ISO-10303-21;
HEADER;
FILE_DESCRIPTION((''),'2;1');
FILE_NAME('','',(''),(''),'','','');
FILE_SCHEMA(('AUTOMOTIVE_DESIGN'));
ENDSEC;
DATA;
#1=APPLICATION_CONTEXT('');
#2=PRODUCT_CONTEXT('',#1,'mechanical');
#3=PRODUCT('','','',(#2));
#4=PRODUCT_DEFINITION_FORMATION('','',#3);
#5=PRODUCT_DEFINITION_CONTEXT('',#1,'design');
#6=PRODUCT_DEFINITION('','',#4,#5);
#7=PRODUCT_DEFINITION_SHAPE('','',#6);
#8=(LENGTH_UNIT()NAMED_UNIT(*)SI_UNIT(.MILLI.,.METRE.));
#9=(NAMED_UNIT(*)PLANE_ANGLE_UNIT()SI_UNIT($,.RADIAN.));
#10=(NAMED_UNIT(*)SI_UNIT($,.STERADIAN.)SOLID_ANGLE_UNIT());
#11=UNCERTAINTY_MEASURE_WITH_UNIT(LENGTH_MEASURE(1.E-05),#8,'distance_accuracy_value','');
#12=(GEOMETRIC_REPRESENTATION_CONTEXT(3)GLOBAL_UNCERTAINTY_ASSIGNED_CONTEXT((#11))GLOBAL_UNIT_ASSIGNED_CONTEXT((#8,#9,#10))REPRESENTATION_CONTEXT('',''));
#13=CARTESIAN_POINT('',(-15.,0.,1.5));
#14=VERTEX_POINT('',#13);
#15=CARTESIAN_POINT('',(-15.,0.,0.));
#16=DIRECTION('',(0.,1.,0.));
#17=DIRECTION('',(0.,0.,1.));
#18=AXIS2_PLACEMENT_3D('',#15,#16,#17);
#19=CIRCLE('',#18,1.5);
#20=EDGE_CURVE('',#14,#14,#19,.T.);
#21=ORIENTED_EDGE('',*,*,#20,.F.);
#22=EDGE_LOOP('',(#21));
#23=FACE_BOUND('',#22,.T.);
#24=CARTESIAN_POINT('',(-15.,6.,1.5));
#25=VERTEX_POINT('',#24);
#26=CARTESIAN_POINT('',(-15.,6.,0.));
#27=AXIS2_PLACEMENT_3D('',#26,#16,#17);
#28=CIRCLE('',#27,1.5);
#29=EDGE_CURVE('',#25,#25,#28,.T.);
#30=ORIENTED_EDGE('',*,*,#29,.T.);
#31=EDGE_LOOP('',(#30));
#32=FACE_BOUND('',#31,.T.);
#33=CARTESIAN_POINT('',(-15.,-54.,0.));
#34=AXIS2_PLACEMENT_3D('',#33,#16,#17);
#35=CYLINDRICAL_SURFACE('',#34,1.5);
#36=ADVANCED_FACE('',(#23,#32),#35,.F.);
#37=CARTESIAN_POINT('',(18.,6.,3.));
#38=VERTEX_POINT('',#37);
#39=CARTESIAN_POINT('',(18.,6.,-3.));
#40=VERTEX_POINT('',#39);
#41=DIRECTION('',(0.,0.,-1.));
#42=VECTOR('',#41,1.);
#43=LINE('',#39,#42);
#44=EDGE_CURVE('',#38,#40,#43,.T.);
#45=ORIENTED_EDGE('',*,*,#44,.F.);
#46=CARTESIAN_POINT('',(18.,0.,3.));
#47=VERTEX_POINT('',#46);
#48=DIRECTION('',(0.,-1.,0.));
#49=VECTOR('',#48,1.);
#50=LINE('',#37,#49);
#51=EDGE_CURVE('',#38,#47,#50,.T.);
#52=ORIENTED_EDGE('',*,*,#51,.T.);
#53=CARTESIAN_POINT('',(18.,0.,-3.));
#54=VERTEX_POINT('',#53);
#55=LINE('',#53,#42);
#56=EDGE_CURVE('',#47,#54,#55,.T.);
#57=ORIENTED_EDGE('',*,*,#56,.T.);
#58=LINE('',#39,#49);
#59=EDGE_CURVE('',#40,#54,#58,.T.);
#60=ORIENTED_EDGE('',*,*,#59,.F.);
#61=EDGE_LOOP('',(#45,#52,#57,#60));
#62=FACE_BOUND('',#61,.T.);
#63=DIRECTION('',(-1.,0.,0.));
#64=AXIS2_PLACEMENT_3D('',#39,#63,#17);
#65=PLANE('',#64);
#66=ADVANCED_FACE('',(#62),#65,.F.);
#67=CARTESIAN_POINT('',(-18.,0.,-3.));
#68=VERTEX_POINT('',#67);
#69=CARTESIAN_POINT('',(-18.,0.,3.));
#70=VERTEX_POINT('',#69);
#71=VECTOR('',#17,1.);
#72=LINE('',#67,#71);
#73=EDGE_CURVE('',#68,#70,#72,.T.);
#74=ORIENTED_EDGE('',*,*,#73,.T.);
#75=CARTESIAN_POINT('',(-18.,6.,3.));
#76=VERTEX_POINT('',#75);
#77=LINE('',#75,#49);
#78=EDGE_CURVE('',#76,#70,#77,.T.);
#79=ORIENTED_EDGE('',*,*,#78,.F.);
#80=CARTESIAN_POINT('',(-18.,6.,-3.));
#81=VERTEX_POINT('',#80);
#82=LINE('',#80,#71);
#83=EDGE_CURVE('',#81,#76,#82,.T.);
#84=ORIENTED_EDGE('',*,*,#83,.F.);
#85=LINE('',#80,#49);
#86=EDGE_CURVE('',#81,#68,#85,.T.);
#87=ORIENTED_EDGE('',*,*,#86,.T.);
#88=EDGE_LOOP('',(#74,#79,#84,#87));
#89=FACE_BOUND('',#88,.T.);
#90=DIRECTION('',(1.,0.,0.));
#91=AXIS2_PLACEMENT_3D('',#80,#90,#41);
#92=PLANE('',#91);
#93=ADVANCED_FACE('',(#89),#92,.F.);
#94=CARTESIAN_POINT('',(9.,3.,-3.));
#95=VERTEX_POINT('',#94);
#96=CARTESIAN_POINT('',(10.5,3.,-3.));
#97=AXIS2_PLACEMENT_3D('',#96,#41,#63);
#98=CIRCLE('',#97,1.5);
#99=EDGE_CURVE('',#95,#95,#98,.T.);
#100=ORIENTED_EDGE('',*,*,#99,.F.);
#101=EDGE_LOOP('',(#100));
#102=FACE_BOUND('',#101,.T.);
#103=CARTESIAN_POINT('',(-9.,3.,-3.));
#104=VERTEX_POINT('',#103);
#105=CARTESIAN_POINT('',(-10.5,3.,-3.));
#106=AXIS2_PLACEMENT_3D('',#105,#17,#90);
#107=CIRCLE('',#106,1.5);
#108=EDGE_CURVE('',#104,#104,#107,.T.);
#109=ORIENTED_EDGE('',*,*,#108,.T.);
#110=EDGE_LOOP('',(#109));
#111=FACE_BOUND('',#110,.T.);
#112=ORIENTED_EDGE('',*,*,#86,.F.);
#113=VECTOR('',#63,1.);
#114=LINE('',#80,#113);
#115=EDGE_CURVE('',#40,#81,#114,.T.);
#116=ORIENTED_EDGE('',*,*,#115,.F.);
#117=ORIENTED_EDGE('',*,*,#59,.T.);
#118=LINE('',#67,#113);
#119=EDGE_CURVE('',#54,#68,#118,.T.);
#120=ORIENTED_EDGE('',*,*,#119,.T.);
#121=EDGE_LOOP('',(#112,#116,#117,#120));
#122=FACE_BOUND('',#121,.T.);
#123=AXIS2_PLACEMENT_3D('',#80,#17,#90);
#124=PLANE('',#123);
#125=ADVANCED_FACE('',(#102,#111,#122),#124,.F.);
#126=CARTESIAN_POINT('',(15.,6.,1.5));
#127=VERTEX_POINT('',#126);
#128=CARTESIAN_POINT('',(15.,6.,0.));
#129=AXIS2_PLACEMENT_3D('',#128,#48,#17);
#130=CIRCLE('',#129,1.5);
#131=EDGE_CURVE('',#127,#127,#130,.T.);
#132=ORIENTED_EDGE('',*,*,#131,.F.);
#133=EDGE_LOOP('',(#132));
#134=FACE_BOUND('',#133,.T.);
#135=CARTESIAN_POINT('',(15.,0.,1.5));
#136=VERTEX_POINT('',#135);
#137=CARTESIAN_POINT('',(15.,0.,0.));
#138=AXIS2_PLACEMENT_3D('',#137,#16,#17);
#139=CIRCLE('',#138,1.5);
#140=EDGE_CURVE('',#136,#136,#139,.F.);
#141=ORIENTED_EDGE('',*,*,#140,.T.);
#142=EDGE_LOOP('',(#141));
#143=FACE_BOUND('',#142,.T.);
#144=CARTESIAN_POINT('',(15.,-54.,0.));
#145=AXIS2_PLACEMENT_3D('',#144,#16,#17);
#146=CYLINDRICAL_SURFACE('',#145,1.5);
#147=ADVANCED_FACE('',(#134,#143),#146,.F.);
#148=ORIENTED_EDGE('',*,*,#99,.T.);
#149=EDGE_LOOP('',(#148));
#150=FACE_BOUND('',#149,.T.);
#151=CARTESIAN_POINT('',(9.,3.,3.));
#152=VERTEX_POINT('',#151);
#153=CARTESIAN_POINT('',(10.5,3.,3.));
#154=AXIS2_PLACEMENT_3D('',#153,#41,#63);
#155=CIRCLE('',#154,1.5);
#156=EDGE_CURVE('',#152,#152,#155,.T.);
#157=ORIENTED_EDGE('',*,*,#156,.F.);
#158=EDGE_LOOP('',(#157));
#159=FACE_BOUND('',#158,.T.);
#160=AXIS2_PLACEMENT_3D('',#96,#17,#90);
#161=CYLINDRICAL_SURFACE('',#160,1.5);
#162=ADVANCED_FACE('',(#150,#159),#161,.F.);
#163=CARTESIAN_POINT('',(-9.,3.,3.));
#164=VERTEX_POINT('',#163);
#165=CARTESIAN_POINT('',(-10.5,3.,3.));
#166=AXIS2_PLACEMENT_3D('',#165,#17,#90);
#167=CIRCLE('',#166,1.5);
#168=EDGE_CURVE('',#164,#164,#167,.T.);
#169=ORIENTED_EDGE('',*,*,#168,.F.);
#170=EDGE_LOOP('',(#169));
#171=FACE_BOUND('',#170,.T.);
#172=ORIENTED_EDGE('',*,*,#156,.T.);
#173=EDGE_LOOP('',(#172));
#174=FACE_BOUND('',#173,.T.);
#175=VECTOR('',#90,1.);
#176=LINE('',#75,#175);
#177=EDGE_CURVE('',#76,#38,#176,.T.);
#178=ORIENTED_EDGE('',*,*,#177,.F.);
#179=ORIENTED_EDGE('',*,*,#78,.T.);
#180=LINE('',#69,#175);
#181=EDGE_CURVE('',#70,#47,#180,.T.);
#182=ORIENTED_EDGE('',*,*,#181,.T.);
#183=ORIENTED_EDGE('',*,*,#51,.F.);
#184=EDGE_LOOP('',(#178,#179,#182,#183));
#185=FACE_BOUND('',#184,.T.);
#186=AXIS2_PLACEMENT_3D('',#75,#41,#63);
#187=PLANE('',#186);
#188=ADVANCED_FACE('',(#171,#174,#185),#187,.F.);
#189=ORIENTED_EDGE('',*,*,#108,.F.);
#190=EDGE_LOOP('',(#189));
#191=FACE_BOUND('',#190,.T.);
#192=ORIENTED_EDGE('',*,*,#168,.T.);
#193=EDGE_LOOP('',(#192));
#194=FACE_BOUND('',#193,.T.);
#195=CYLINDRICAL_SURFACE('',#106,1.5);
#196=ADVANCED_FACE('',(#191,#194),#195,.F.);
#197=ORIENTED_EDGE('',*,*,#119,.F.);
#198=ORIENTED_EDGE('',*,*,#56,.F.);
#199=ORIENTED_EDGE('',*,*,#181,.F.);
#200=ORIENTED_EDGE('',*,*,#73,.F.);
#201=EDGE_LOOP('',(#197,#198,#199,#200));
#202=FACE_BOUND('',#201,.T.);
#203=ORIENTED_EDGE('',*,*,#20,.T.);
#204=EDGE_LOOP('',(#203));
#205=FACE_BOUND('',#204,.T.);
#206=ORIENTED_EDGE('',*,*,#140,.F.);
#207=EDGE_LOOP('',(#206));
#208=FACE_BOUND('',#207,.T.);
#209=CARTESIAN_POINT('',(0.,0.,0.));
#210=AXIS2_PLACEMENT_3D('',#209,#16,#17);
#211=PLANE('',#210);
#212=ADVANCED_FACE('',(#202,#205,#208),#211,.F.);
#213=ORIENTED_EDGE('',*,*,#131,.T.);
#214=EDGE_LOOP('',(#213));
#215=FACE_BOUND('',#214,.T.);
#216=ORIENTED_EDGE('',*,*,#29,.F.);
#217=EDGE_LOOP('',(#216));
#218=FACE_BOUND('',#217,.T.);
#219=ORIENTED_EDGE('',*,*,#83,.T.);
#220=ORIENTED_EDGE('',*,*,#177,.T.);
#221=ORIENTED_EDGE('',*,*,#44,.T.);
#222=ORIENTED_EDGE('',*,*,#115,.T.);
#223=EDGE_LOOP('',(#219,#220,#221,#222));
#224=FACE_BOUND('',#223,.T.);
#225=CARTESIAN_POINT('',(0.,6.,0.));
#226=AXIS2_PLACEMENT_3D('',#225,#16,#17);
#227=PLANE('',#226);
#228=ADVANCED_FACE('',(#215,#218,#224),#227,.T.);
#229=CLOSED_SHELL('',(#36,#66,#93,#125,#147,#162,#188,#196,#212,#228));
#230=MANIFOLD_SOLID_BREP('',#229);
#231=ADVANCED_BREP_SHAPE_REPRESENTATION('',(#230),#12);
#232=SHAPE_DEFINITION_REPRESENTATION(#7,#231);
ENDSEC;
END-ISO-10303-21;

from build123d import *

# Parameters (mm, degrees)
ESQUISSE1_W             = 36
ESQUISSE1_H             = 6
BOSS_EXTRU_1_DEPTH      = 6
ESQUISSE2_R             = 1.5
ENL_V_MAT_EXTRU_1_DEPTH = 60
ESQUISSE3_R             = 1.5
ENL_V_MAT_EXTRU_2_DEPTH = 6


with BuildPart() as part:
    # Esquisse1 → Boss.-Extru.1 (new body)
    with BuildSketch(Plane(origin=(0, 0, 0), x_dir=(1, 0, 0), z_dir=(0, 1, 0))):
        Rectangle(ESQUISSE1_W, ESQUISSE1_H)
    extrude(amount=BOSS_EXTRU_1_DEPTH)

    # Esquisse2 → Enlèv. mat.-Extru.1 (cut)
    with BuildSketch(Plane(origin=(0, 6, 0), x_dir=(1, 0, 0), z_dir=(0, 1, 0))):
        with Locations((-15, 0)):
            Circle(ESQUISSE2_R)
    enl_v_mat_extru_1 = extrude(amount=-ENL_V_MAT_EXTRU_1_DEPTH, mode=Mode.SUBTRACT)

    # Symétrie1: Enlèv. mat.-Extru.1 across plane
    add(enl_v_mat_extru_1.mirror(Plane(origin=(0, 0, 0), x_dir=(0, 0, 1), z_dir=(1, 0, 0))), mode=Mode.SUBTRACT)

    # Esquisse3 → Enlèv. mat.-Extru.2 (cut)
    with BuildSketch(Plane.XY.offset(3)):
        with Locations((-10.5, 3)):
            Circle(ESQUISSE3_R)
    enl_v_mat_extru_2 = extrude(amount=-ENL_V_MAT_EXTRU_2_DEPTH, mode=Mode.SUBTRACT)

    # Symétrie2: Enlèv. mat.-Extru.2 across plane
    add(enl_v_mat_extru_2.mirror(Plane(origin=(0, 0, 0), x_dir=(0, 0, 1), z_dir=(1, 0, 0))), mode=Mode.SUBTRACT)


solid = part.part
